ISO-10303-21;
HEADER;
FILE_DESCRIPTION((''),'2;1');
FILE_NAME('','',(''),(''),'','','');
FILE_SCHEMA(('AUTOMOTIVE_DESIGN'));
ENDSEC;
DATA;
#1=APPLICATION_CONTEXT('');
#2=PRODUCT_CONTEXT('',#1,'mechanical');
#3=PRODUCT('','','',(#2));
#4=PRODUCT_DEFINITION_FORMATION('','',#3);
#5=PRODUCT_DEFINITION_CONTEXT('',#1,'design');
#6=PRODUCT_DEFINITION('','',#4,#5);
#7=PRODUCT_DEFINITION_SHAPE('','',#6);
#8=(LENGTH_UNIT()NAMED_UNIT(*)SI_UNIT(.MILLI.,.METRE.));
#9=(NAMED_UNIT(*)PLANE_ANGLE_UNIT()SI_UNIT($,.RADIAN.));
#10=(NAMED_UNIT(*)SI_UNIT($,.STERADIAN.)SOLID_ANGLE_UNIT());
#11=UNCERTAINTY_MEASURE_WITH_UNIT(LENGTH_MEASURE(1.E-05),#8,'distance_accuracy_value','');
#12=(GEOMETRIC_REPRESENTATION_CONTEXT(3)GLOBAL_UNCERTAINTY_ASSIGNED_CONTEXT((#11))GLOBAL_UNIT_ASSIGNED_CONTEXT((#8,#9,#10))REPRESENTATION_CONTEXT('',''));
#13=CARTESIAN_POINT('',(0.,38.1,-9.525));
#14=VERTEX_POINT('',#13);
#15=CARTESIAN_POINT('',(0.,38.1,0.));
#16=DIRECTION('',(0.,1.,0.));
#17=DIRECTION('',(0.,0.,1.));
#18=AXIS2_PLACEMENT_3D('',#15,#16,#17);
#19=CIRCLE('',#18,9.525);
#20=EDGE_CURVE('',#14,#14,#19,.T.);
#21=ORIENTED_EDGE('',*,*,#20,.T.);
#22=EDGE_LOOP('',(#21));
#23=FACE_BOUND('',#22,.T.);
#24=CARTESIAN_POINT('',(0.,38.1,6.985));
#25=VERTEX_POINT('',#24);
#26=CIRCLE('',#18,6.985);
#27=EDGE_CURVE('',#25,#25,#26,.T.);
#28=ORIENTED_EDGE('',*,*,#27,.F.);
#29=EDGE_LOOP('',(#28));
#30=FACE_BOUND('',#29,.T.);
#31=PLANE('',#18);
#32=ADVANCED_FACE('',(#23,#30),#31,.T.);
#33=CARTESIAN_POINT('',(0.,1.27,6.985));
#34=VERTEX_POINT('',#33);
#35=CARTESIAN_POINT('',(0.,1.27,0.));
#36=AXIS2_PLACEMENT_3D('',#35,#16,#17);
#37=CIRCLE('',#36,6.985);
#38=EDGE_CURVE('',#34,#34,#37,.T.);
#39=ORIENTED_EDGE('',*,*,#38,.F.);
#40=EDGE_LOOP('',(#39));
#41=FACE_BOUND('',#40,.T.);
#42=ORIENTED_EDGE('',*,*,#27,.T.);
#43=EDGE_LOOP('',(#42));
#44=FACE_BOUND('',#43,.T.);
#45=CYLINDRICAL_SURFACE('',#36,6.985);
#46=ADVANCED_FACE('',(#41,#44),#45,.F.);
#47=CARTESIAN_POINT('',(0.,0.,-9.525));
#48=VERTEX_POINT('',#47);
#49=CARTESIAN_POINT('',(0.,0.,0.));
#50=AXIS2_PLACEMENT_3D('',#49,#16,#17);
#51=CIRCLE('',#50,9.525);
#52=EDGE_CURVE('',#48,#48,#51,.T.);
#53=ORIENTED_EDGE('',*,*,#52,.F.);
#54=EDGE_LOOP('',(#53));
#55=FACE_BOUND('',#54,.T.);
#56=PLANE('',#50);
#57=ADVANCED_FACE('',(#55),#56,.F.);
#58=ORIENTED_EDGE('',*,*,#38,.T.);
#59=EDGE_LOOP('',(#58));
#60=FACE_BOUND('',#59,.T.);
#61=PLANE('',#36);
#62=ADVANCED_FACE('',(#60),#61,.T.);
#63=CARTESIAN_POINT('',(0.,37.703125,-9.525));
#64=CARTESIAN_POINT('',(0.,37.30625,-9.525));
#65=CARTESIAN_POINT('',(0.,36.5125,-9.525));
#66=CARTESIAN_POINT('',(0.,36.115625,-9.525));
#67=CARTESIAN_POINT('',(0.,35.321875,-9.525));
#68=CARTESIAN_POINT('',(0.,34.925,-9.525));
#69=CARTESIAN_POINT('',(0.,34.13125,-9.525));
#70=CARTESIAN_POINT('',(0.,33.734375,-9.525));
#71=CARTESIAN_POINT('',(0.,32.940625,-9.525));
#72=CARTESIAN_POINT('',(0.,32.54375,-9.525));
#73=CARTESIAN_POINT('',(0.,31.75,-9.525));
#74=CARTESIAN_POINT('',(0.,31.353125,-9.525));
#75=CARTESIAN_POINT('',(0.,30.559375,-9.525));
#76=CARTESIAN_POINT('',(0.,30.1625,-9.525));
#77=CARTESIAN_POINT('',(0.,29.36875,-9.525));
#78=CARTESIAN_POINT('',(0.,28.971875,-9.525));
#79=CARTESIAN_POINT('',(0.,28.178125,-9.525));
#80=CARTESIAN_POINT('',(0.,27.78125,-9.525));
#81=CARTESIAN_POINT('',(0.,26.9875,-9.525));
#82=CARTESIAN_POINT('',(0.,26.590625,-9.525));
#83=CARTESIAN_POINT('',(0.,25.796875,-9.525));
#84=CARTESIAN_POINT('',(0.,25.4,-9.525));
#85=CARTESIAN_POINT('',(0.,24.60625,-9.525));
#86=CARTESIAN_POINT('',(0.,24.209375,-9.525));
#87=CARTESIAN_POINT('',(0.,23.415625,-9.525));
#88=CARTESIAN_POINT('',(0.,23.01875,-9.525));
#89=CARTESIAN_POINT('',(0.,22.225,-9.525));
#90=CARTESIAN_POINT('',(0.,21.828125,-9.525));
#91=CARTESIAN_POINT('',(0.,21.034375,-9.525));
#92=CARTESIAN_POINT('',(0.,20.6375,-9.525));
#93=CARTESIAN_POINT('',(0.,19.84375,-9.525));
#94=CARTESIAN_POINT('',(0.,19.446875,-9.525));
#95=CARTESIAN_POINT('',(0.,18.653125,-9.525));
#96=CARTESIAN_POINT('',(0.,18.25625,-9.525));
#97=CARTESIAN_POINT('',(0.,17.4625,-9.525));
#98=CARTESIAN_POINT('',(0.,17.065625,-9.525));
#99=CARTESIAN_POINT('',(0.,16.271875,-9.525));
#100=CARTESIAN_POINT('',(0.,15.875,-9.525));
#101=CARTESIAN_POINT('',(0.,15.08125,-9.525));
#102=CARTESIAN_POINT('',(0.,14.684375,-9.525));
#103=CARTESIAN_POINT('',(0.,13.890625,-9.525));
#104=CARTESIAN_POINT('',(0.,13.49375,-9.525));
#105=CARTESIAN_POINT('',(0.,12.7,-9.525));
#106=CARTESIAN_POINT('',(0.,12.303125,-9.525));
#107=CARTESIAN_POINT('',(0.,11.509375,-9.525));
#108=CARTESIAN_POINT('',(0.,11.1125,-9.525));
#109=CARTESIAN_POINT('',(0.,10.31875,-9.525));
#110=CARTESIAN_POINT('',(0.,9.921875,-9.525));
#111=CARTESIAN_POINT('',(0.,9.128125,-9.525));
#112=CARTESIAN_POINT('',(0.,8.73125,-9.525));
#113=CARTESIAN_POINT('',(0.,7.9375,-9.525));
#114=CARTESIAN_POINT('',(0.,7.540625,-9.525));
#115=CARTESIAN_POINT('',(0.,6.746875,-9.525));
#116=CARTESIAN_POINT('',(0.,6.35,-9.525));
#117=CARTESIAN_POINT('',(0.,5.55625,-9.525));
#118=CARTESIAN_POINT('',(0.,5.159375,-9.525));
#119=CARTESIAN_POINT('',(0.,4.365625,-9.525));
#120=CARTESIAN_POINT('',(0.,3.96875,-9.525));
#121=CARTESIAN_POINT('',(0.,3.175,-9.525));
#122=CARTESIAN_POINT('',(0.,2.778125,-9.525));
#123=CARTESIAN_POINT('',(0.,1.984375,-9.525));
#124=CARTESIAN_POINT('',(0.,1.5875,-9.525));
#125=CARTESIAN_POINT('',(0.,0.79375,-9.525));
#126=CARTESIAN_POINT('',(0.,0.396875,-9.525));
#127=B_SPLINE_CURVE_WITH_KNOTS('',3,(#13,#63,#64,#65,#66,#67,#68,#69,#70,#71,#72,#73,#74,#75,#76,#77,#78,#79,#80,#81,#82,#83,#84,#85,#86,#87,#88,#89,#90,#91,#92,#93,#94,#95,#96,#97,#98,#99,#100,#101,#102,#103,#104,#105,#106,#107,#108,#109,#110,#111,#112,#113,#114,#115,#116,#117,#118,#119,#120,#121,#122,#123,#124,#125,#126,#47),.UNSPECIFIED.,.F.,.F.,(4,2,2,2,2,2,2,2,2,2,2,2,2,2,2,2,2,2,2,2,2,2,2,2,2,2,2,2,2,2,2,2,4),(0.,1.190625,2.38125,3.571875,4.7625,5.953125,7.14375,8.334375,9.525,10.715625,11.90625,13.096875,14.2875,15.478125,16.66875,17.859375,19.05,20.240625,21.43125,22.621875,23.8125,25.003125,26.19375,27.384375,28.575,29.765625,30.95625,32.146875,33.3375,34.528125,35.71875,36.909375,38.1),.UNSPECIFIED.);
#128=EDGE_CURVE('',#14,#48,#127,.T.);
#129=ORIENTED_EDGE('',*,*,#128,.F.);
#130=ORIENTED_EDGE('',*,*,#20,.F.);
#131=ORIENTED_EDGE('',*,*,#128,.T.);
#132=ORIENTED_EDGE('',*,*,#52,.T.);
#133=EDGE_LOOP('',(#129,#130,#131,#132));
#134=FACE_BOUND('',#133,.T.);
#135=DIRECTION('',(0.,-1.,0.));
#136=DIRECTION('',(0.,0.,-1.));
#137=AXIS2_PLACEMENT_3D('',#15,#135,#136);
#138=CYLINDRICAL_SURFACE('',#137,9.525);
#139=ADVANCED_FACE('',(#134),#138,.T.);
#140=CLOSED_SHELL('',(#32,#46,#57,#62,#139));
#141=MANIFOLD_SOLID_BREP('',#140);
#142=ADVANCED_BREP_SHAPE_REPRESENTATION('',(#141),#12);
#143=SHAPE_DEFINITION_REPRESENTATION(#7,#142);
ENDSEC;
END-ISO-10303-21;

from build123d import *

# Parameters (mm, degrees)
SKETCH1_R           = 9.525
BOSS_EXTRUDE1_DEPTH = 38.1
SKETCH2_R           = 6.985
CUT_EXTRUDE1_DEPTH  = 36.83


with BuildPart() as part:
    # Sketch1 → Boss-Extrude1 (new body)
    with BuildSketch(Plane(origin=(0, 0, 0), x_dir=(1, 0, 0), z_dir=(0, 1, 0))):
        with Locations(Location((0, 0, 0), (0, 0, 90))):
            Circle(SKETCH1_R)
    extrude(amount=BOSS_EXTRUDE1_DEPTH)

    # Sketch2 → Cut-Extrude1 (cut)
    with BuildSketch(Plane(origin=(0, 38.1, 0), x_dir=(1, 0, 0), z_dir=(0, 1, 0))):
        with Locations(Location((0, 0, 0), (0, 0, 270))):
            Circle(SKETCH2_R)
    extrude(amount=-CUT_EXTRUDE1_DEPTH, mode=Mode.SUBTRACT)


solid = part.part
